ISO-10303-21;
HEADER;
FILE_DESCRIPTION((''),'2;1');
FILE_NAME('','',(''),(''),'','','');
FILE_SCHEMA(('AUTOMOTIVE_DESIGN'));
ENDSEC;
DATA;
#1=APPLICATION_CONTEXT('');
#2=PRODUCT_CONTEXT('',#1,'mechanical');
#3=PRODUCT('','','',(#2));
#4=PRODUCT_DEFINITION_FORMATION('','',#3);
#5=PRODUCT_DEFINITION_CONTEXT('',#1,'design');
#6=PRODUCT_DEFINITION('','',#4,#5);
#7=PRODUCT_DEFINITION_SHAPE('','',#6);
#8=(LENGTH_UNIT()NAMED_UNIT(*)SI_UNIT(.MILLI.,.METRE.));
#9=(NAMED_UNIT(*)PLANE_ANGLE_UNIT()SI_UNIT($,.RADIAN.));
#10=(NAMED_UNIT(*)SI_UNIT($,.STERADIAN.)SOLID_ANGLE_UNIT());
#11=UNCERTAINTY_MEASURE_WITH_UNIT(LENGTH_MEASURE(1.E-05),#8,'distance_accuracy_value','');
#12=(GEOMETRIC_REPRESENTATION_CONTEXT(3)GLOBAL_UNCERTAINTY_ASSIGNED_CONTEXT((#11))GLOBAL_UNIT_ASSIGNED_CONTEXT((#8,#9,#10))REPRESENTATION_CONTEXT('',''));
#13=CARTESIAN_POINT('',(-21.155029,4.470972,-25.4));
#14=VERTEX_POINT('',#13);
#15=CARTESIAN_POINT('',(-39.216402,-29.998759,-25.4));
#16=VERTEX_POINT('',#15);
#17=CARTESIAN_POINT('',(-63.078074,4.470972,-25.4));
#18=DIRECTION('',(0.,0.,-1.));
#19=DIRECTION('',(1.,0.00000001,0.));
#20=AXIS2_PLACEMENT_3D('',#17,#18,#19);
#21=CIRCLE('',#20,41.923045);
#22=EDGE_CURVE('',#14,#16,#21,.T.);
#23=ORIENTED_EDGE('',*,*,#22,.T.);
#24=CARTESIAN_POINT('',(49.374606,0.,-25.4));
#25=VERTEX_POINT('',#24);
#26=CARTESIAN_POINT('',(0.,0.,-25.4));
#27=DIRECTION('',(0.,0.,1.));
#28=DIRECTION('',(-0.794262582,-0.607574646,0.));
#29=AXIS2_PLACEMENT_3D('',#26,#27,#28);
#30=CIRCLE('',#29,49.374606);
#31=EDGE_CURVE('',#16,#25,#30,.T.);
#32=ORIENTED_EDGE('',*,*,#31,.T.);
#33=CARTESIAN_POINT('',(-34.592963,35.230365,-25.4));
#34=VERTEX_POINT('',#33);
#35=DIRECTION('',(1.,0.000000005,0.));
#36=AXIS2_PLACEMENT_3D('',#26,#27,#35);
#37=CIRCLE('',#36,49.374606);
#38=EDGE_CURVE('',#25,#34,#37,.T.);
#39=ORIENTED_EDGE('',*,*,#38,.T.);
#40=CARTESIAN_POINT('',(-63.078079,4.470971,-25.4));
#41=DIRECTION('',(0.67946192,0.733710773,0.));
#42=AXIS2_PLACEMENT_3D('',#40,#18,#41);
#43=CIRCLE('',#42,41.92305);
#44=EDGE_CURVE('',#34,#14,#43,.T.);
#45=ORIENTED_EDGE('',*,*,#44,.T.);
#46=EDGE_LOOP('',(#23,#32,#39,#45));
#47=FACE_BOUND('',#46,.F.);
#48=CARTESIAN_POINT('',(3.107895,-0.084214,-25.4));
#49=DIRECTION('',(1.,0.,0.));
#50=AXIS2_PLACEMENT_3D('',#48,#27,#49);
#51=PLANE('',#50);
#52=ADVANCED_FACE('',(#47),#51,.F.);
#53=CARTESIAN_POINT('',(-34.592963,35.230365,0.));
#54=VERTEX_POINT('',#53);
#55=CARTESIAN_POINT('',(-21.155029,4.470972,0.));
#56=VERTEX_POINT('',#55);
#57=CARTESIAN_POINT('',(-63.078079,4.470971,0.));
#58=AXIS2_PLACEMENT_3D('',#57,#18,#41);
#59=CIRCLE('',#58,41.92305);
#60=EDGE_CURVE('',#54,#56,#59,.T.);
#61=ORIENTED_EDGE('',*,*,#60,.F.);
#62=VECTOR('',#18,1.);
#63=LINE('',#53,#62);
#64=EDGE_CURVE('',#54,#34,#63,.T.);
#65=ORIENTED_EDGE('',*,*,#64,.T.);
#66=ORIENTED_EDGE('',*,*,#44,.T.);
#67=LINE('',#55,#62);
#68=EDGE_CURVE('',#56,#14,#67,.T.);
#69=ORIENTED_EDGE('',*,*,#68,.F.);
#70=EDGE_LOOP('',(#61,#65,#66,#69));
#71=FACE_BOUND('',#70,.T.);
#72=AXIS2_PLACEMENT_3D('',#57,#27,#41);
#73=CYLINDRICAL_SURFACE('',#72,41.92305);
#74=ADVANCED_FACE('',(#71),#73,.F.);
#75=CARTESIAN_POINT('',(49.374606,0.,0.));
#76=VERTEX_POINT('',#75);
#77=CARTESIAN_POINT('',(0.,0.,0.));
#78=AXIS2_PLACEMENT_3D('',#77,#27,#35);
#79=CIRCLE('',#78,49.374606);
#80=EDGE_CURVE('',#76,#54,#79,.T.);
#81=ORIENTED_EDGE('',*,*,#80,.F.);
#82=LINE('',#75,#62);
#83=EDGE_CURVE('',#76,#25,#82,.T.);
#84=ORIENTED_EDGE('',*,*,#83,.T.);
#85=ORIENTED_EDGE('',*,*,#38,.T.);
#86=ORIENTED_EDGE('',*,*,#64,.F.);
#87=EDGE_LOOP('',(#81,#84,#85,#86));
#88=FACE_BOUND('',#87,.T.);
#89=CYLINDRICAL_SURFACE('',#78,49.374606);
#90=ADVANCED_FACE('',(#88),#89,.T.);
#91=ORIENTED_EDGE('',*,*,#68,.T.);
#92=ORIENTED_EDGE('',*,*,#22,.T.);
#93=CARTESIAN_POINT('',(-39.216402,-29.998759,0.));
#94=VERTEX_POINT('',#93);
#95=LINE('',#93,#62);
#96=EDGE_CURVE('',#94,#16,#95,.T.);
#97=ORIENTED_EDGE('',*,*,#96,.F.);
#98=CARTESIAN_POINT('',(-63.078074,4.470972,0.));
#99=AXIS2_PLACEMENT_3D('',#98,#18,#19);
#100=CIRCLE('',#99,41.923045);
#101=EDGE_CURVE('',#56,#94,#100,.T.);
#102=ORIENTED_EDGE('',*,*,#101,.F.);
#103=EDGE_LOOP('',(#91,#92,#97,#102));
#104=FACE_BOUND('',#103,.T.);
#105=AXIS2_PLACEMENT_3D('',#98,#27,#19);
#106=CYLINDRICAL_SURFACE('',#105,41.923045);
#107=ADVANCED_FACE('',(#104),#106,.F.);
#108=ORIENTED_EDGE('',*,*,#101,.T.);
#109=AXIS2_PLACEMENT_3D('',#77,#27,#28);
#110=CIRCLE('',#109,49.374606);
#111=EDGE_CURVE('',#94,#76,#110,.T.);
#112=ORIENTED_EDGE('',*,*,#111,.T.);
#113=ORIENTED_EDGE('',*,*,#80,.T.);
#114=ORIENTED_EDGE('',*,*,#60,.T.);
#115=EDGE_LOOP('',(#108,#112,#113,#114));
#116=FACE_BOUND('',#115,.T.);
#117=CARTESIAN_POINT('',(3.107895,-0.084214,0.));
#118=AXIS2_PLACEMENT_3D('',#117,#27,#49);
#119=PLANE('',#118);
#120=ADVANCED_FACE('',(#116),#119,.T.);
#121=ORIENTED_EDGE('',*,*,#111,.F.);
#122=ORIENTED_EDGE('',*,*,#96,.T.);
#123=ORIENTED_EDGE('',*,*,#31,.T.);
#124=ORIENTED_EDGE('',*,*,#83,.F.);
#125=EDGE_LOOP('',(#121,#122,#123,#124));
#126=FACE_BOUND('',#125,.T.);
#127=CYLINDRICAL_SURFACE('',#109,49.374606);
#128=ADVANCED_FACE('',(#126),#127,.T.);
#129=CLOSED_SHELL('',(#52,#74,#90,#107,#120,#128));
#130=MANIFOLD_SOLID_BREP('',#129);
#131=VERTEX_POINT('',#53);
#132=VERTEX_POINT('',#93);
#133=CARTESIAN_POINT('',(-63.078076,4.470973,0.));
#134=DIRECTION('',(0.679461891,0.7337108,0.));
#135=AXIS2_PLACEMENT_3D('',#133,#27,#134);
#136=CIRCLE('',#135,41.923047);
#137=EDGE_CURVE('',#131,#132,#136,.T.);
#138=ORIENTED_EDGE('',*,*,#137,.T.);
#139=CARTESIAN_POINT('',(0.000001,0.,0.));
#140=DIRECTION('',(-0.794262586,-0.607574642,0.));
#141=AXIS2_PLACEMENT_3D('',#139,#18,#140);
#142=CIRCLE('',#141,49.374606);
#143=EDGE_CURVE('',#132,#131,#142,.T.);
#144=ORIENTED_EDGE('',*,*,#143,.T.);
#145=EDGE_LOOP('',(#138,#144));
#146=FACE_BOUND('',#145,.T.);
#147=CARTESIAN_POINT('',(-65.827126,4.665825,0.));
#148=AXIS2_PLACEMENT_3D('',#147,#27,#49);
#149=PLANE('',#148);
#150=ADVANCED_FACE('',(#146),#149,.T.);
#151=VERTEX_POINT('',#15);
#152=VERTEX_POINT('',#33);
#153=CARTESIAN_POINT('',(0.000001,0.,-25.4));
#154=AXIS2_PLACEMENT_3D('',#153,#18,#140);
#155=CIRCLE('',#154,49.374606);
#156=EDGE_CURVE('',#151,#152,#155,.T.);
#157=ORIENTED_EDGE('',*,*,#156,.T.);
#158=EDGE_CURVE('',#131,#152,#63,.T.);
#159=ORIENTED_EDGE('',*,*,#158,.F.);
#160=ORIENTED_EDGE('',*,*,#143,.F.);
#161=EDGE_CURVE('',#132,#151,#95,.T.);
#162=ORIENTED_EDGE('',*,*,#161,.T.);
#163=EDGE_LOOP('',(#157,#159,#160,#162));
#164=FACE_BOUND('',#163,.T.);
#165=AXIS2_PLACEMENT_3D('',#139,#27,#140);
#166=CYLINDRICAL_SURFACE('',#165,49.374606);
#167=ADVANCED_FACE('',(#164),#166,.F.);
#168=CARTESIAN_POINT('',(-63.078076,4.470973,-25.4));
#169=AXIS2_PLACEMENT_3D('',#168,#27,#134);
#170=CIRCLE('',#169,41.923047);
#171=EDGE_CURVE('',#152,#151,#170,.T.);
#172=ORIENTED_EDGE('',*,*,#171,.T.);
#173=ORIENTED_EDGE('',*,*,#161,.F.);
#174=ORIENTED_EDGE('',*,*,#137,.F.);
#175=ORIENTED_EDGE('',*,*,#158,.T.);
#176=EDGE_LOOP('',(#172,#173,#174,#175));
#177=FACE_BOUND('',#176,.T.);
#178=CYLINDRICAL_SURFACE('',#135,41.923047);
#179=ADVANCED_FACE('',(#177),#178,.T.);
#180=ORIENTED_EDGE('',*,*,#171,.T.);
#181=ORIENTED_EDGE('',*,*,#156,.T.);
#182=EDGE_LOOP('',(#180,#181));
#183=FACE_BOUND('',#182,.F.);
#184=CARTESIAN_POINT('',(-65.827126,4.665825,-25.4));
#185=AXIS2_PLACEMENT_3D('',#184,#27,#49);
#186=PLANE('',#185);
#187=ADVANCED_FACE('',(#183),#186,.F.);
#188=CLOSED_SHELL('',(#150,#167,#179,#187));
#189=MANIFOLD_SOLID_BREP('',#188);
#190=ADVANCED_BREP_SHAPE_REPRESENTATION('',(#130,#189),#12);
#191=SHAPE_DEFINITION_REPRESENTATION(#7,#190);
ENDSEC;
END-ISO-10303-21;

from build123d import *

# Parameters (mm, degrees)
F1_DEPTH = 25.4


with BuildPart() as f1:
    # F0 (on Top) → F1 (new body)
    with BuildSketch(Plane.XY):
        with BuildLine():
            ThreePointArc((-39.216402, -29.998759), (-49.251043, 3.490912), (-34.592963, 35.230365))
            ThreePointArc((-34.592963, 35.230365), (-104.896208, 7.43504), (-39.216402, -29.998759))
        make_face()
        with BuildLine():
            ThreePointArc((-39.216402, -29.998759), (15.835993, -46.766153), (49.374606, 0))
            ThreePointArc((49.374606, 0), (19.10285, 45.529472), (-34.592963, 35.230365))
            ThreePointArc((-34.592963, 35.230365), (-24.661123, 21.254285), (-21.155029, 4.470972))
            ThreePointArc((-21.155029, 4.470972), (-25.943887, -14.986517), (-39.216402, -29.998759))
        make_face()
    extrude(amount=-F1_DEPTH)


solid = f1.part
